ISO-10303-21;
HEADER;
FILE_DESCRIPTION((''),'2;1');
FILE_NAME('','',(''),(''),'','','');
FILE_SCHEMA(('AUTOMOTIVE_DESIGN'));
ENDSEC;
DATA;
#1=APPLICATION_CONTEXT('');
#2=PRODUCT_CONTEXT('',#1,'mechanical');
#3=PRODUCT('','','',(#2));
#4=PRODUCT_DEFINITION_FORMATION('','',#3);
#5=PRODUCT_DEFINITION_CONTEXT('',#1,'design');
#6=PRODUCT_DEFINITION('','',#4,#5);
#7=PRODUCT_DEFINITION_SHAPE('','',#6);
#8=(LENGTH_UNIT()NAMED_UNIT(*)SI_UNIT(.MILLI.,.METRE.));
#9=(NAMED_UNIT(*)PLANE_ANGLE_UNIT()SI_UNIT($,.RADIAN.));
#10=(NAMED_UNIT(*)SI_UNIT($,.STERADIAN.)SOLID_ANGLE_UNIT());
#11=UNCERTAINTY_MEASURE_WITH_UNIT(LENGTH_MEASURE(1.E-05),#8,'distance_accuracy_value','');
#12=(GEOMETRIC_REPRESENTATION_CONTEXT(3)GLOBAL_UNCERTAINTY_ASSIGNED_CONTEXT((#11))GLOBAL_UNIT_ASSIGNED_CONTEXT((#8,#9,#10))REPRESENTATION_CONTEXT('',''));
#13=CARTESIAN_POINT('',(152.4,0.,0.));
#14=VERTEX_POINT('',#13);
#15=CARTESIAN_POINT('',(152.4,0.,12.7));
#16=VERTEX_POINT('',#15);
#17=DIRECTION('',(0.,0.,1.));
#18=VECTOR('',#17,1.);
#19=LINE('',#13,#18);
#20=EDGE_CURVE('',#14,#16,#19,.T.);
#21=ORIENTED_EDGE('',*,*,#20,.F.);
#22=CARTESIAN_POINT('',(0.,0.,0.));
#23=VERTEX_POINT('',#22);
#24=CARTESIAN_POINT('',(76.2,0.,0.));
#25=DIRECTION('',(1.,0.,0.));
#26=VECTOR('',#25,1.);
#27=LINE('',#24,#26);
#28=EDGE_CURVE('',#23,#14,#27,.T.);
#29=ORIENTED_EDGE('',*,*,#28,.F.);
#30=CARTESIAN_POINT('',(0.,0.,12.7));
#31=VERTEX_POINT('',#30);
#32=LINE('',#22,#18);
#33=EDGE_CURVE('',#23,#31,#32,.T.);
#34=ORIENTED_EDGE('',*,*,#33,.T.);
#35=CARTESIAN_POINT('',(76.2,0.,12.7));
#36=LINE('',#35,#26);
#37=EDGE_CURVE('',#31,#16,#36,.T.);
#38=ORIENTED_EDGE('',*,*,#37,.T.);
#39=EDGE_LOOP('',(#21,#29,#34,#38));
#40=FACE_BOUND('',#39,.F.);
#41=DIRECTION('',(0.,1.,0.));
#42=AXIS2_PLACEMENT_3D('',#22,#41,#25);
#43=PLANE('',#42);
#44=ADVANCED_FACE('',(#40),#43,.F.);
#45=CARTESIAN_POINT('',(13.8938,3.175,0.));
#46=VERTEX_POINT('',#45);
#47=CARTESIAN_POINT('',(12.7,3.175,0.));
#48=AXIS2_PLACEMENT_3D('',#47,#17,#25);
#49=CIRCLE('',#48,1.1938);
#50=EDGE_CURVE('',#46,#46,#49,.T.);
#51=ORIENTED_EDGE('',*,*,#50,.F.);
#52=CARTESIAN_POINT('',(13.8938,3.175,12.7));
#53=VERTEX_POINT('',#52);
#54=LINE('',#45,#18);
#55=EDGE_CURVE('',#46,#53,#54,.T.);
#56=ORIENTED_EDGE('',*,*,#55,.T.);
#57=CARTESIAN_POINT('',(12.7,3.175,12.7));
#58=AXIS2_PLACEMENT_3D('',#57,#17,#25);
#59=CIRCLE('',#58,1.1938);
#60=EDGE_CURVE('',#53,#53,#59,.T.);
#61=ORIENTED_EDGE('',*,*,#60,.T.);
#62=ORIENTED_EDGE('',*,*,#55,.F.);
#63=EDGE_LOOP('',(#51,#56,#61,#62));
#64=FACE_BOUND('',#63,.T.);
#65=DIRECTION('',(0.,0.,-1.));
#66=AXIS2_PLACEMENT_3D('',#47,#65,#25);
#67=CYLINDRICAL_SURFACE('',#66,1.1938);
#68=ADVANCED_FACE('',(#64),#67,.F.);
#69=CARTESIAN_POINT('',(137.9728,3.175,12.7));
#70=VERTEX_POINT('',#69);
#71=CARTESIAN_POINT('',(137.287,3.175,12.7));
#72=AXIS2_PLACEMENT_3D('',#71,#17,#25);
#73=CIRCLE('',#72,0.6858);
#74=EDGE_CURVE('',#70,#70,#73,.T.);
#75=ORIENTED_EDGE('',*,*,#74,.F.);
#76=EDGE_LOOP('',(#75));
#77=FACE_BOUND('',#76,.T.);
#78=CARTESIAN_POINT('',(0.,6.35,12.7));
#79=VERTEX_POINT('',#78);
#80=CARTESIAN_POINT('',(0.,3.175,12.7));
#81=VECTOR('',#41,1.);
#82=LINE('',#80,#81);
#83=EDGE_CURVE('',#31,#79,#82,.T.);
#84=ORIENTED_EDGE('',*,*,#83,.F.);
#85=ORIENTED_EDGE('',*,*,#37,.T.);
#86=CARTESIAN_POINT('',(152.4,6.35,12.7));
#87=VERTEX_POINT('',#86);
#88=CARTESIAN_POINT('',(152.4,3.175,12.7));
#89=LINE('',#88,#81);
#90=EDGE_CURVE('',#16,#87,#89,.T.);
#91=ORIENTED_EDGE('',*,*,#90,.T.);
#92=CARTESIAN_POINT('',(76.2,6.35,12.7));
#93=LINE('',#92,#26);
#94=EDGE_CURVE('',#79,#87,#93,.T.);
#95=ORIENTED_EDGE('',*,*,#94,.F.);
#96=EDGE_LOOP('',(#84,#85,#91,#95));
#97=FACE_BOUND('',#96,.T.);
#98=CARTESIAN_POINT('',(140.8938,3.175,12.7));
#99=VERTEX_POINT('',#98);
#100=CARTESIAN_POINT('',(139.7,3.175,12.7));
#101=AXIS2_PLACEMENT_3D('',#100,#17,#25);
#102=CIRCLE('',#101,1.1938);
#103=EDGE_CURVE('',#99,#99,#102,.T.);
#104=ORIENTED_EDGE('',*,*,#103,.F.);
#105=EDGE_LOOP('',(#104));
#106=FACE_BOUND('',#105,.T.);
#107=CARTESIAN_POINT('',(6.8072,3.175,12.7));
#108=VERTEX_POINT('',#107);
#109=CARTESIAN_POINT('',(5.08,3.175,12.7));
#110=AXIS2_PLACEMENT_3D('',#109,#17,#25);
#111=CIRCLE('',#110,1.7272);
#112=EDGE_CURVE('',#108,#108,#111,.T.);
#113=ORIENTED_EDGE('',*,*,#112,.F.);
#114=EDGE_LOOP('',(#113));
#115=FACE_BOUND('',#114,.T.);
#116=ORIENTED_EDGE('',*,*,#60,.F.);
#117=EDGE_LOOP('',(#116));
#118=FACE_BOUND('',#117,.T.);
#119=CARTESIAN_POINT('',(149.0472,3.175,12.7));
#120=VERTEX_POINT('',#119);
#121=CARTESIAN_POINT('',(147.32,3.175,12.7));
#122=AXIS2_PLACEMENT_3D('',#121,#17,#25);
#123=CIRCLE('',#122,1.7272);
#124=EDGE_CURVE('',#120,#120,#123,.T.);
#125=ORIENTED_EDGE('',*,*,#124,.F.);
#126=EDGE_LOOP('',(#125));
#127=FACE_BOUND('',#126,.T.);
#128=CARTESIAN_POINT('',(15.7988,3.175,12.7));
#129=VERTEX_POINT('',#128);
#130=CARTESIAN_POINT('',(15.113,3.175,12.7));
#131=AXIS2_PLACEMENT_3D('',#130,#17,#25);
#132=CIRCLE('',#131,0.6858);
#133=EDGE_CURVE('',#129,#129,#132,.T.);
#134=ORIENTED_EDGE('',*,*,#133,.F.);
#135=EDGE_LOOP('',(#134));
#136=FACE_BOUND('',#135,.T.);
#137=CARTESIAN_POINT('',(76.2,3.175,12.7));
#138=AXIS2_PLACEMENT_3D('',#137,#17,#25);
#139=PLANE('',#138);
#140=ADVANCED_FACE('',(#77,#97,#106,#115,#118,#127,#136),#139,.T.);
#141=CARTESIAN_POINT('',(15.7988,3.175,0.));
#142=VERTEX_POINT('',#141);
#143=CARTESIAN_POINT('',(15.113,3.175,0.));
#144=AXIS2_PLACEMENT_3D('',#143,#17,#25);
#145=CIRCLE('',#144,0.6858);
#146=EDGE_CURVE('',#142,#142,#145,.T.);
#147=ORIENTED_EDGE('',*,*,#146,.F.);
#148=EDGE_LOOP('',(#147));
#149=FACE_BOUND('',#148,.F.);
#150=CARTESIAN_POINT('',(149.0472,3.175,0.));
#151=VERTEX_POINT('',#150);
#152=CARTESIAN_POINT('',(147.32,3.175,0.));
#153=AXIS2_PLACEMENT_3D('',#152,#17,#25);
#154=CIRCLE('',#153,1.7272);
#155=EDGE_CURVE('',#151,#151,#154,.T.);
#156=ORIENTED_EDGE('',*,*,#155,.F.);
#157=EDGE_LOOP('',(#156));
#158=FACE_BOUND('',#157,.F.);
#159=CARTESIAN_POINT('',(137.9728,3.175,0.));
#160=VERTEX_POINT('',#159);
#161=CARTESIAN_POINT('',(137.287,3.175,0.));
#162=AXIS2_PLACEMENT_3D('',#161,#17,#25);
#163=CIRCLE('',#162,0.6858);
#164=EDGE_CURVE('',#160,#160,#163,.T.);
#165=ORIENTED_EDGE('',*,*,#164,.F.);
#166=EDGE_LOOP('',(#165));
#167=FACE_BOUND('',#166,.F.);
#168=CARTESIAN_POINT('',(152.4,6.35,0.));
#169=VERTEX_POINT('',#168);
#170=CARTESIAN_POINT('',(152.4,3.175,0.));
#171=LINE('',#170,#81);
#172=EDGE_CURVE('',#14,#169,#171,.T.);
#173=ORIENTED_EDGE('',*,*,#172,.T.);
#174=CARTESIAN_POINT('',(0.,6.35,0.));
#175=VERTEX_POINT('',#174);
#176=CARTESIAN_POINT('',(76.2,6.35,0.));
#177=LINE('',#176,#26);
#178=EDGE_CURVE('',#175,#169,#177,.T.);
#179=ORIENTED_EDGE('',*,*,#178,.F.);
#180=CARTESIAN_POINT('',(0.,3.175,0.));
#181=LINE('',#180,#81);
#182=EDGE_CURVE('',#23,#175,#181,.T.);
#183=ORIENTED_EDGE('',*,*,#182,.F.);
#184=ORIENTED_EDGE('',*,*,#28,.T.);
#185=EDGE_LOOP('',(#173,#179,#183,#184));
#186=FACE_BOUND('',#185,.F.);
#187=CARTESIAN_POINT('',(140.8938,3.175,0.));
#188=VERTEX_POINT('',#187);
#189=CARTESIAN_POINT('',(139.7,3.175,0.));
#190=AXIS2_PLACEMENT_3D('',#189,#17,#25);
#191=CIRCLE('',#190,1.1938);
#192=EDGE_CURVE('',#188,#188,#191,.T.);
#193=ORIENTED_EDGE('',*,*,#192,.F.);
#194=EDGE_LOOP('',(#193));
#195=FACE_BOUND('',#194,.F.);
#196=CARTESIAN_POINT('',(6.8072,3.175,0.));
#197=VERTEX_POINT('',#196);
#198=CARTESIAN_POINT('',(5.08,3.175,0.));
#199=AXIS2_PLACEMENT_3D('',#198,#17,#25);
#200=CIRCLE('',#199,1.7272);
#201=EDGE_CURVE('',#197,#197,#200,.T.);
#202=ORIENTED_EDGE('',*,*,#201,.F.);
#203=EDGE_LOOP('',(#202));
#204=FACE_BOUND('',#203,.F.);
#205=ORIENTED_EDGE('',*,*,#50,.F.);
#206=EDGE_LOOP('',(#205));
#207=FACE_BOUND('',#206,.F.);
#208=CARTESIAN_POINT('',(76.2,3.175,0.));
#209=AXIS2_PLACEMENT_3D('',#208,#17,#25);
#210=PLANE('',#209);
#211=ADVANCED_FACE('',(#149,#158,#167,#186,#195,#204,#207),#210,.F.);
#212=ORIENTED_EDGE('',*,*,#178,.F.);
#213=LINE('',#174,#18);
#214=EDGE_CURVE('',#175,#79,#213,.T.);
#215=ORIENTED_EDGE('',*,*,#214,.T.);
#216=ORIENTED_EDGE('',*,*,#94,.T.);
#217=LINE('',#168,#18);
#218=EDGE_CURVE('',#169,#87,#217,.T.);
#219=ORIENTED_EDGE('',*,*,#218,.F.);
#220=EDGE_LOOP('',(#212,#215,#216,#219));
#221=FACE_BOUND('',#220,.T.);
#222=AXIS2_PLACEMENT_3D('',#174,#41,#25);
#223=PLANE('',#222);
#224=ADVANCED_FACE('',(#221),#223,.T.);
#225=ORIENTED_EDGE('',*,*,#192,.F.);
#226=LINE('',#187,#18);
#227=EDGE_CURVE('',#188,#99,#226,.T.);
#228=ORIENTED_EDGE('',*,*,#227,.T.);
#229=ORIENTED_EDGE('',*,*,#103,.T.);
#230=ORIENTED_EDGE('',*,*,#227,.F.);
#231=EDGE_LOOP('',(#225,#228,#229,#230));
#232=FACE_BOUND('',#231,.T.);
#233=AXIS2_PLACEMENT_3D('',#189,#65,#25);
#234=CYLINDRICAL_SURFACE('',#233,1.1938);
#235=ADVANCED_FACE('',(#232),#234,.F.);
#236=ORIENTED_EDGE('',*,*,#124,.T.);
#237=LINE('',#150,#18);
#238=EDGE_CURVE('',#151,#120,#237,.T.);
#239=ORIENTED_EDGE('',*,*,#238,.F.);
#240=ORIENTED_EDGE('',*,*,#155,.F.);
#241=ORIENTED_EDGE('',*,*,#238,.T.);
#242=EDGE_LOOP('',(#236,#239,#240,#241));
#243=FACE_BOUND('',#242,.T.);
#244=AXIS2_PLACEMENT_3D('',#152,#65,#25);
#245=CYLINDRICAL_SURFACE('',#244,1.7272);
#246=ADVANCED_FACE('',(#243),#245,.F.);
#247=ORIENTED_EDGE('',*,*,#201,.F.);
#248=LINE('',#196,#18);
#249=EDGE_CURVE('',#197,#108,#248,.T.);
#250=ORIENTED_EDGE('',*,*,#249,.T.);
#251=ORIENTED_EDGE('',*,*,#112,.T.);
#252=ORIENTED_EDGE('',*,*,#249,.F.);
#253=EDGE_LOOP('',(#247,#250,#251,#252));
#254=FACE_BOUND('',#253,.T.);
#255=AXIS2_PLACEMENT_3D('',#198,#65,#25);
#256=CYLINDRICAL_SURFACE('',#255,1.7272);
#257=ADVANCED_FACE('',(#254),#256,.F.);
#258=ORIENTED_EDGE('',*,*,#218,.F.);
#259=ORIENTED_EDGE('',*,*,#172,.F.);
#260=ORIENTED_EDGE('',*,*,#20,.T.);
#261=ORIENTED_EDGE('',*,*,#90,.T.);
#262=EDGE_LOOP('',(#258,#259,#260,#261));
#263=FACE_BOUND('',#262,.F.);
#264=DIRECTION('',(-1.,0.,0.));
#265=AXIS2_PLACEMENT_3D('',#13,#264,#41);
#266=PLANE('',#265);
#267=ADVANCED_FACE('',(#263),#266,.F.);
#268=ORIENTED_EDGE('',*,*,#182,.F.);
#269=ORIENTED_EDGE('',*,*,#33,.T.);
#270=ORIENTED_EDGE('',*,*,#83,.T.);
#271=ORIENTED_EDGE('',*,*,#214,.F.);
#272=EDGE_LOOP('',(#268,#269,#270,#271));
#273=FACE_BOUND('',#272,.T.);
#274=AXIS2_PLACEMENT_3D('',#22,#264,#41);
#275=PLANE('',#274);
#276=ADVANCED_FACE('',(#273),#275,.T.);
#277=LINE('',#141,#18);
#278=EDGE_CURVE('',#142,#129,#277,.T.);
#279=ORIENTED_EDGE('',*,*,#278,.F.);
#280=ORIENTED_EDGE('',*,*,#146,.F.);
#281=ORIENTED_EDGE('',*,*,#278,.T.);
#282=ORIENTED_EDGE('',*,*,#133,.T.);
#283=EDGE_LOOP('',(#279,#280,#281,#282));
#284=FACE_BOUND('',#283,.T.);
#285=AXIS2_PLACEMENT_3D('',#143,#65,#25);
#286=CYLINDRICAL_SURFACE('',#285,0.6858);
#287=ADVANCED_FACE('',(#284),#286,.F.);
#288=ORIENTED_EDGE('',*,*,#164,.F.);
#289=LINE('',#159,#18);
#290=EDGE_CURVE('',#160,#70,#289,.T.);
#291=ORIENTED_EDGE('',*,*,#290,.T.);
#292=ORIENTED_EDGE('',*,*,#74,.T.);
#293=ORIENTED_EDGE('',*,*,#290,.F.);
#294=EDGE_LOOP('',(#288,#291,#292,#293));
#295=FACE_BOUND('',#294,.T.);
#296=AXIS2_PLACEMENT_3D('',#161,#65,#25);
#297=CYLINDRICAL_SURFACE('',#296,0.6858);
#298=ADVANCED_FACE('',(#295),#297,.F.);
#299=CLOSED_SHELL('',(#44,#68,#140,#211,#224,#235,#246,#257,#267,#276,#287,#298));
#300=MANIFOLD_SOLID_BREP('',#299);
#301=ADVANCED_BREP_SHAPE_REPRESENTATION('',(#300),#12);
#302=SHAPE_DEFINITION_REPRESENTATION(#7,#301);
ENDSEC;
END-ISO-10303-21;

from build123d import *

# Parameters (mm, degrees)
F0_W     = 152.4
F0_H     = 6.35
F0_R     = 1.7272
F0_R_2   = 1.1938
F0_R_3   = 0.6858
F1_DEPTH = 12.7


with BuildPart() as f1:
    # F0 (on Top) → F1 (new body)
    with BuildSketch(Plane.XY):
        with Locations((76.2, 3.175)):
            Rectangle(F0_W, F0_H)
        with Locations((5.08, 3.175)):
            Circle(F0_R, mode=Mode.SUBTRACT)
        with Locations((12.7, 3.175)):
            Circle(F0_R_2, mode=Mode.SUBTRACT)
        with Locations((15.113, 3.175)):
            Circle(F0_R_3, mode=Mode.SUBTRACT)
        with Locations((137.287, 3.175)):
            Circle(F0_R_3, mode=Mode.SUBTRACT)
        with Locations((139.7, 3.175)):
            Circle(F0_R_2, mode=Mode.SUBTRACT)
        with Locations((147.32, 3.175)):
            Circle(F0_R, mode=Mode.SUBTRACT)
    extrude(amount=F1_DEPTH)


solid = f1.part
